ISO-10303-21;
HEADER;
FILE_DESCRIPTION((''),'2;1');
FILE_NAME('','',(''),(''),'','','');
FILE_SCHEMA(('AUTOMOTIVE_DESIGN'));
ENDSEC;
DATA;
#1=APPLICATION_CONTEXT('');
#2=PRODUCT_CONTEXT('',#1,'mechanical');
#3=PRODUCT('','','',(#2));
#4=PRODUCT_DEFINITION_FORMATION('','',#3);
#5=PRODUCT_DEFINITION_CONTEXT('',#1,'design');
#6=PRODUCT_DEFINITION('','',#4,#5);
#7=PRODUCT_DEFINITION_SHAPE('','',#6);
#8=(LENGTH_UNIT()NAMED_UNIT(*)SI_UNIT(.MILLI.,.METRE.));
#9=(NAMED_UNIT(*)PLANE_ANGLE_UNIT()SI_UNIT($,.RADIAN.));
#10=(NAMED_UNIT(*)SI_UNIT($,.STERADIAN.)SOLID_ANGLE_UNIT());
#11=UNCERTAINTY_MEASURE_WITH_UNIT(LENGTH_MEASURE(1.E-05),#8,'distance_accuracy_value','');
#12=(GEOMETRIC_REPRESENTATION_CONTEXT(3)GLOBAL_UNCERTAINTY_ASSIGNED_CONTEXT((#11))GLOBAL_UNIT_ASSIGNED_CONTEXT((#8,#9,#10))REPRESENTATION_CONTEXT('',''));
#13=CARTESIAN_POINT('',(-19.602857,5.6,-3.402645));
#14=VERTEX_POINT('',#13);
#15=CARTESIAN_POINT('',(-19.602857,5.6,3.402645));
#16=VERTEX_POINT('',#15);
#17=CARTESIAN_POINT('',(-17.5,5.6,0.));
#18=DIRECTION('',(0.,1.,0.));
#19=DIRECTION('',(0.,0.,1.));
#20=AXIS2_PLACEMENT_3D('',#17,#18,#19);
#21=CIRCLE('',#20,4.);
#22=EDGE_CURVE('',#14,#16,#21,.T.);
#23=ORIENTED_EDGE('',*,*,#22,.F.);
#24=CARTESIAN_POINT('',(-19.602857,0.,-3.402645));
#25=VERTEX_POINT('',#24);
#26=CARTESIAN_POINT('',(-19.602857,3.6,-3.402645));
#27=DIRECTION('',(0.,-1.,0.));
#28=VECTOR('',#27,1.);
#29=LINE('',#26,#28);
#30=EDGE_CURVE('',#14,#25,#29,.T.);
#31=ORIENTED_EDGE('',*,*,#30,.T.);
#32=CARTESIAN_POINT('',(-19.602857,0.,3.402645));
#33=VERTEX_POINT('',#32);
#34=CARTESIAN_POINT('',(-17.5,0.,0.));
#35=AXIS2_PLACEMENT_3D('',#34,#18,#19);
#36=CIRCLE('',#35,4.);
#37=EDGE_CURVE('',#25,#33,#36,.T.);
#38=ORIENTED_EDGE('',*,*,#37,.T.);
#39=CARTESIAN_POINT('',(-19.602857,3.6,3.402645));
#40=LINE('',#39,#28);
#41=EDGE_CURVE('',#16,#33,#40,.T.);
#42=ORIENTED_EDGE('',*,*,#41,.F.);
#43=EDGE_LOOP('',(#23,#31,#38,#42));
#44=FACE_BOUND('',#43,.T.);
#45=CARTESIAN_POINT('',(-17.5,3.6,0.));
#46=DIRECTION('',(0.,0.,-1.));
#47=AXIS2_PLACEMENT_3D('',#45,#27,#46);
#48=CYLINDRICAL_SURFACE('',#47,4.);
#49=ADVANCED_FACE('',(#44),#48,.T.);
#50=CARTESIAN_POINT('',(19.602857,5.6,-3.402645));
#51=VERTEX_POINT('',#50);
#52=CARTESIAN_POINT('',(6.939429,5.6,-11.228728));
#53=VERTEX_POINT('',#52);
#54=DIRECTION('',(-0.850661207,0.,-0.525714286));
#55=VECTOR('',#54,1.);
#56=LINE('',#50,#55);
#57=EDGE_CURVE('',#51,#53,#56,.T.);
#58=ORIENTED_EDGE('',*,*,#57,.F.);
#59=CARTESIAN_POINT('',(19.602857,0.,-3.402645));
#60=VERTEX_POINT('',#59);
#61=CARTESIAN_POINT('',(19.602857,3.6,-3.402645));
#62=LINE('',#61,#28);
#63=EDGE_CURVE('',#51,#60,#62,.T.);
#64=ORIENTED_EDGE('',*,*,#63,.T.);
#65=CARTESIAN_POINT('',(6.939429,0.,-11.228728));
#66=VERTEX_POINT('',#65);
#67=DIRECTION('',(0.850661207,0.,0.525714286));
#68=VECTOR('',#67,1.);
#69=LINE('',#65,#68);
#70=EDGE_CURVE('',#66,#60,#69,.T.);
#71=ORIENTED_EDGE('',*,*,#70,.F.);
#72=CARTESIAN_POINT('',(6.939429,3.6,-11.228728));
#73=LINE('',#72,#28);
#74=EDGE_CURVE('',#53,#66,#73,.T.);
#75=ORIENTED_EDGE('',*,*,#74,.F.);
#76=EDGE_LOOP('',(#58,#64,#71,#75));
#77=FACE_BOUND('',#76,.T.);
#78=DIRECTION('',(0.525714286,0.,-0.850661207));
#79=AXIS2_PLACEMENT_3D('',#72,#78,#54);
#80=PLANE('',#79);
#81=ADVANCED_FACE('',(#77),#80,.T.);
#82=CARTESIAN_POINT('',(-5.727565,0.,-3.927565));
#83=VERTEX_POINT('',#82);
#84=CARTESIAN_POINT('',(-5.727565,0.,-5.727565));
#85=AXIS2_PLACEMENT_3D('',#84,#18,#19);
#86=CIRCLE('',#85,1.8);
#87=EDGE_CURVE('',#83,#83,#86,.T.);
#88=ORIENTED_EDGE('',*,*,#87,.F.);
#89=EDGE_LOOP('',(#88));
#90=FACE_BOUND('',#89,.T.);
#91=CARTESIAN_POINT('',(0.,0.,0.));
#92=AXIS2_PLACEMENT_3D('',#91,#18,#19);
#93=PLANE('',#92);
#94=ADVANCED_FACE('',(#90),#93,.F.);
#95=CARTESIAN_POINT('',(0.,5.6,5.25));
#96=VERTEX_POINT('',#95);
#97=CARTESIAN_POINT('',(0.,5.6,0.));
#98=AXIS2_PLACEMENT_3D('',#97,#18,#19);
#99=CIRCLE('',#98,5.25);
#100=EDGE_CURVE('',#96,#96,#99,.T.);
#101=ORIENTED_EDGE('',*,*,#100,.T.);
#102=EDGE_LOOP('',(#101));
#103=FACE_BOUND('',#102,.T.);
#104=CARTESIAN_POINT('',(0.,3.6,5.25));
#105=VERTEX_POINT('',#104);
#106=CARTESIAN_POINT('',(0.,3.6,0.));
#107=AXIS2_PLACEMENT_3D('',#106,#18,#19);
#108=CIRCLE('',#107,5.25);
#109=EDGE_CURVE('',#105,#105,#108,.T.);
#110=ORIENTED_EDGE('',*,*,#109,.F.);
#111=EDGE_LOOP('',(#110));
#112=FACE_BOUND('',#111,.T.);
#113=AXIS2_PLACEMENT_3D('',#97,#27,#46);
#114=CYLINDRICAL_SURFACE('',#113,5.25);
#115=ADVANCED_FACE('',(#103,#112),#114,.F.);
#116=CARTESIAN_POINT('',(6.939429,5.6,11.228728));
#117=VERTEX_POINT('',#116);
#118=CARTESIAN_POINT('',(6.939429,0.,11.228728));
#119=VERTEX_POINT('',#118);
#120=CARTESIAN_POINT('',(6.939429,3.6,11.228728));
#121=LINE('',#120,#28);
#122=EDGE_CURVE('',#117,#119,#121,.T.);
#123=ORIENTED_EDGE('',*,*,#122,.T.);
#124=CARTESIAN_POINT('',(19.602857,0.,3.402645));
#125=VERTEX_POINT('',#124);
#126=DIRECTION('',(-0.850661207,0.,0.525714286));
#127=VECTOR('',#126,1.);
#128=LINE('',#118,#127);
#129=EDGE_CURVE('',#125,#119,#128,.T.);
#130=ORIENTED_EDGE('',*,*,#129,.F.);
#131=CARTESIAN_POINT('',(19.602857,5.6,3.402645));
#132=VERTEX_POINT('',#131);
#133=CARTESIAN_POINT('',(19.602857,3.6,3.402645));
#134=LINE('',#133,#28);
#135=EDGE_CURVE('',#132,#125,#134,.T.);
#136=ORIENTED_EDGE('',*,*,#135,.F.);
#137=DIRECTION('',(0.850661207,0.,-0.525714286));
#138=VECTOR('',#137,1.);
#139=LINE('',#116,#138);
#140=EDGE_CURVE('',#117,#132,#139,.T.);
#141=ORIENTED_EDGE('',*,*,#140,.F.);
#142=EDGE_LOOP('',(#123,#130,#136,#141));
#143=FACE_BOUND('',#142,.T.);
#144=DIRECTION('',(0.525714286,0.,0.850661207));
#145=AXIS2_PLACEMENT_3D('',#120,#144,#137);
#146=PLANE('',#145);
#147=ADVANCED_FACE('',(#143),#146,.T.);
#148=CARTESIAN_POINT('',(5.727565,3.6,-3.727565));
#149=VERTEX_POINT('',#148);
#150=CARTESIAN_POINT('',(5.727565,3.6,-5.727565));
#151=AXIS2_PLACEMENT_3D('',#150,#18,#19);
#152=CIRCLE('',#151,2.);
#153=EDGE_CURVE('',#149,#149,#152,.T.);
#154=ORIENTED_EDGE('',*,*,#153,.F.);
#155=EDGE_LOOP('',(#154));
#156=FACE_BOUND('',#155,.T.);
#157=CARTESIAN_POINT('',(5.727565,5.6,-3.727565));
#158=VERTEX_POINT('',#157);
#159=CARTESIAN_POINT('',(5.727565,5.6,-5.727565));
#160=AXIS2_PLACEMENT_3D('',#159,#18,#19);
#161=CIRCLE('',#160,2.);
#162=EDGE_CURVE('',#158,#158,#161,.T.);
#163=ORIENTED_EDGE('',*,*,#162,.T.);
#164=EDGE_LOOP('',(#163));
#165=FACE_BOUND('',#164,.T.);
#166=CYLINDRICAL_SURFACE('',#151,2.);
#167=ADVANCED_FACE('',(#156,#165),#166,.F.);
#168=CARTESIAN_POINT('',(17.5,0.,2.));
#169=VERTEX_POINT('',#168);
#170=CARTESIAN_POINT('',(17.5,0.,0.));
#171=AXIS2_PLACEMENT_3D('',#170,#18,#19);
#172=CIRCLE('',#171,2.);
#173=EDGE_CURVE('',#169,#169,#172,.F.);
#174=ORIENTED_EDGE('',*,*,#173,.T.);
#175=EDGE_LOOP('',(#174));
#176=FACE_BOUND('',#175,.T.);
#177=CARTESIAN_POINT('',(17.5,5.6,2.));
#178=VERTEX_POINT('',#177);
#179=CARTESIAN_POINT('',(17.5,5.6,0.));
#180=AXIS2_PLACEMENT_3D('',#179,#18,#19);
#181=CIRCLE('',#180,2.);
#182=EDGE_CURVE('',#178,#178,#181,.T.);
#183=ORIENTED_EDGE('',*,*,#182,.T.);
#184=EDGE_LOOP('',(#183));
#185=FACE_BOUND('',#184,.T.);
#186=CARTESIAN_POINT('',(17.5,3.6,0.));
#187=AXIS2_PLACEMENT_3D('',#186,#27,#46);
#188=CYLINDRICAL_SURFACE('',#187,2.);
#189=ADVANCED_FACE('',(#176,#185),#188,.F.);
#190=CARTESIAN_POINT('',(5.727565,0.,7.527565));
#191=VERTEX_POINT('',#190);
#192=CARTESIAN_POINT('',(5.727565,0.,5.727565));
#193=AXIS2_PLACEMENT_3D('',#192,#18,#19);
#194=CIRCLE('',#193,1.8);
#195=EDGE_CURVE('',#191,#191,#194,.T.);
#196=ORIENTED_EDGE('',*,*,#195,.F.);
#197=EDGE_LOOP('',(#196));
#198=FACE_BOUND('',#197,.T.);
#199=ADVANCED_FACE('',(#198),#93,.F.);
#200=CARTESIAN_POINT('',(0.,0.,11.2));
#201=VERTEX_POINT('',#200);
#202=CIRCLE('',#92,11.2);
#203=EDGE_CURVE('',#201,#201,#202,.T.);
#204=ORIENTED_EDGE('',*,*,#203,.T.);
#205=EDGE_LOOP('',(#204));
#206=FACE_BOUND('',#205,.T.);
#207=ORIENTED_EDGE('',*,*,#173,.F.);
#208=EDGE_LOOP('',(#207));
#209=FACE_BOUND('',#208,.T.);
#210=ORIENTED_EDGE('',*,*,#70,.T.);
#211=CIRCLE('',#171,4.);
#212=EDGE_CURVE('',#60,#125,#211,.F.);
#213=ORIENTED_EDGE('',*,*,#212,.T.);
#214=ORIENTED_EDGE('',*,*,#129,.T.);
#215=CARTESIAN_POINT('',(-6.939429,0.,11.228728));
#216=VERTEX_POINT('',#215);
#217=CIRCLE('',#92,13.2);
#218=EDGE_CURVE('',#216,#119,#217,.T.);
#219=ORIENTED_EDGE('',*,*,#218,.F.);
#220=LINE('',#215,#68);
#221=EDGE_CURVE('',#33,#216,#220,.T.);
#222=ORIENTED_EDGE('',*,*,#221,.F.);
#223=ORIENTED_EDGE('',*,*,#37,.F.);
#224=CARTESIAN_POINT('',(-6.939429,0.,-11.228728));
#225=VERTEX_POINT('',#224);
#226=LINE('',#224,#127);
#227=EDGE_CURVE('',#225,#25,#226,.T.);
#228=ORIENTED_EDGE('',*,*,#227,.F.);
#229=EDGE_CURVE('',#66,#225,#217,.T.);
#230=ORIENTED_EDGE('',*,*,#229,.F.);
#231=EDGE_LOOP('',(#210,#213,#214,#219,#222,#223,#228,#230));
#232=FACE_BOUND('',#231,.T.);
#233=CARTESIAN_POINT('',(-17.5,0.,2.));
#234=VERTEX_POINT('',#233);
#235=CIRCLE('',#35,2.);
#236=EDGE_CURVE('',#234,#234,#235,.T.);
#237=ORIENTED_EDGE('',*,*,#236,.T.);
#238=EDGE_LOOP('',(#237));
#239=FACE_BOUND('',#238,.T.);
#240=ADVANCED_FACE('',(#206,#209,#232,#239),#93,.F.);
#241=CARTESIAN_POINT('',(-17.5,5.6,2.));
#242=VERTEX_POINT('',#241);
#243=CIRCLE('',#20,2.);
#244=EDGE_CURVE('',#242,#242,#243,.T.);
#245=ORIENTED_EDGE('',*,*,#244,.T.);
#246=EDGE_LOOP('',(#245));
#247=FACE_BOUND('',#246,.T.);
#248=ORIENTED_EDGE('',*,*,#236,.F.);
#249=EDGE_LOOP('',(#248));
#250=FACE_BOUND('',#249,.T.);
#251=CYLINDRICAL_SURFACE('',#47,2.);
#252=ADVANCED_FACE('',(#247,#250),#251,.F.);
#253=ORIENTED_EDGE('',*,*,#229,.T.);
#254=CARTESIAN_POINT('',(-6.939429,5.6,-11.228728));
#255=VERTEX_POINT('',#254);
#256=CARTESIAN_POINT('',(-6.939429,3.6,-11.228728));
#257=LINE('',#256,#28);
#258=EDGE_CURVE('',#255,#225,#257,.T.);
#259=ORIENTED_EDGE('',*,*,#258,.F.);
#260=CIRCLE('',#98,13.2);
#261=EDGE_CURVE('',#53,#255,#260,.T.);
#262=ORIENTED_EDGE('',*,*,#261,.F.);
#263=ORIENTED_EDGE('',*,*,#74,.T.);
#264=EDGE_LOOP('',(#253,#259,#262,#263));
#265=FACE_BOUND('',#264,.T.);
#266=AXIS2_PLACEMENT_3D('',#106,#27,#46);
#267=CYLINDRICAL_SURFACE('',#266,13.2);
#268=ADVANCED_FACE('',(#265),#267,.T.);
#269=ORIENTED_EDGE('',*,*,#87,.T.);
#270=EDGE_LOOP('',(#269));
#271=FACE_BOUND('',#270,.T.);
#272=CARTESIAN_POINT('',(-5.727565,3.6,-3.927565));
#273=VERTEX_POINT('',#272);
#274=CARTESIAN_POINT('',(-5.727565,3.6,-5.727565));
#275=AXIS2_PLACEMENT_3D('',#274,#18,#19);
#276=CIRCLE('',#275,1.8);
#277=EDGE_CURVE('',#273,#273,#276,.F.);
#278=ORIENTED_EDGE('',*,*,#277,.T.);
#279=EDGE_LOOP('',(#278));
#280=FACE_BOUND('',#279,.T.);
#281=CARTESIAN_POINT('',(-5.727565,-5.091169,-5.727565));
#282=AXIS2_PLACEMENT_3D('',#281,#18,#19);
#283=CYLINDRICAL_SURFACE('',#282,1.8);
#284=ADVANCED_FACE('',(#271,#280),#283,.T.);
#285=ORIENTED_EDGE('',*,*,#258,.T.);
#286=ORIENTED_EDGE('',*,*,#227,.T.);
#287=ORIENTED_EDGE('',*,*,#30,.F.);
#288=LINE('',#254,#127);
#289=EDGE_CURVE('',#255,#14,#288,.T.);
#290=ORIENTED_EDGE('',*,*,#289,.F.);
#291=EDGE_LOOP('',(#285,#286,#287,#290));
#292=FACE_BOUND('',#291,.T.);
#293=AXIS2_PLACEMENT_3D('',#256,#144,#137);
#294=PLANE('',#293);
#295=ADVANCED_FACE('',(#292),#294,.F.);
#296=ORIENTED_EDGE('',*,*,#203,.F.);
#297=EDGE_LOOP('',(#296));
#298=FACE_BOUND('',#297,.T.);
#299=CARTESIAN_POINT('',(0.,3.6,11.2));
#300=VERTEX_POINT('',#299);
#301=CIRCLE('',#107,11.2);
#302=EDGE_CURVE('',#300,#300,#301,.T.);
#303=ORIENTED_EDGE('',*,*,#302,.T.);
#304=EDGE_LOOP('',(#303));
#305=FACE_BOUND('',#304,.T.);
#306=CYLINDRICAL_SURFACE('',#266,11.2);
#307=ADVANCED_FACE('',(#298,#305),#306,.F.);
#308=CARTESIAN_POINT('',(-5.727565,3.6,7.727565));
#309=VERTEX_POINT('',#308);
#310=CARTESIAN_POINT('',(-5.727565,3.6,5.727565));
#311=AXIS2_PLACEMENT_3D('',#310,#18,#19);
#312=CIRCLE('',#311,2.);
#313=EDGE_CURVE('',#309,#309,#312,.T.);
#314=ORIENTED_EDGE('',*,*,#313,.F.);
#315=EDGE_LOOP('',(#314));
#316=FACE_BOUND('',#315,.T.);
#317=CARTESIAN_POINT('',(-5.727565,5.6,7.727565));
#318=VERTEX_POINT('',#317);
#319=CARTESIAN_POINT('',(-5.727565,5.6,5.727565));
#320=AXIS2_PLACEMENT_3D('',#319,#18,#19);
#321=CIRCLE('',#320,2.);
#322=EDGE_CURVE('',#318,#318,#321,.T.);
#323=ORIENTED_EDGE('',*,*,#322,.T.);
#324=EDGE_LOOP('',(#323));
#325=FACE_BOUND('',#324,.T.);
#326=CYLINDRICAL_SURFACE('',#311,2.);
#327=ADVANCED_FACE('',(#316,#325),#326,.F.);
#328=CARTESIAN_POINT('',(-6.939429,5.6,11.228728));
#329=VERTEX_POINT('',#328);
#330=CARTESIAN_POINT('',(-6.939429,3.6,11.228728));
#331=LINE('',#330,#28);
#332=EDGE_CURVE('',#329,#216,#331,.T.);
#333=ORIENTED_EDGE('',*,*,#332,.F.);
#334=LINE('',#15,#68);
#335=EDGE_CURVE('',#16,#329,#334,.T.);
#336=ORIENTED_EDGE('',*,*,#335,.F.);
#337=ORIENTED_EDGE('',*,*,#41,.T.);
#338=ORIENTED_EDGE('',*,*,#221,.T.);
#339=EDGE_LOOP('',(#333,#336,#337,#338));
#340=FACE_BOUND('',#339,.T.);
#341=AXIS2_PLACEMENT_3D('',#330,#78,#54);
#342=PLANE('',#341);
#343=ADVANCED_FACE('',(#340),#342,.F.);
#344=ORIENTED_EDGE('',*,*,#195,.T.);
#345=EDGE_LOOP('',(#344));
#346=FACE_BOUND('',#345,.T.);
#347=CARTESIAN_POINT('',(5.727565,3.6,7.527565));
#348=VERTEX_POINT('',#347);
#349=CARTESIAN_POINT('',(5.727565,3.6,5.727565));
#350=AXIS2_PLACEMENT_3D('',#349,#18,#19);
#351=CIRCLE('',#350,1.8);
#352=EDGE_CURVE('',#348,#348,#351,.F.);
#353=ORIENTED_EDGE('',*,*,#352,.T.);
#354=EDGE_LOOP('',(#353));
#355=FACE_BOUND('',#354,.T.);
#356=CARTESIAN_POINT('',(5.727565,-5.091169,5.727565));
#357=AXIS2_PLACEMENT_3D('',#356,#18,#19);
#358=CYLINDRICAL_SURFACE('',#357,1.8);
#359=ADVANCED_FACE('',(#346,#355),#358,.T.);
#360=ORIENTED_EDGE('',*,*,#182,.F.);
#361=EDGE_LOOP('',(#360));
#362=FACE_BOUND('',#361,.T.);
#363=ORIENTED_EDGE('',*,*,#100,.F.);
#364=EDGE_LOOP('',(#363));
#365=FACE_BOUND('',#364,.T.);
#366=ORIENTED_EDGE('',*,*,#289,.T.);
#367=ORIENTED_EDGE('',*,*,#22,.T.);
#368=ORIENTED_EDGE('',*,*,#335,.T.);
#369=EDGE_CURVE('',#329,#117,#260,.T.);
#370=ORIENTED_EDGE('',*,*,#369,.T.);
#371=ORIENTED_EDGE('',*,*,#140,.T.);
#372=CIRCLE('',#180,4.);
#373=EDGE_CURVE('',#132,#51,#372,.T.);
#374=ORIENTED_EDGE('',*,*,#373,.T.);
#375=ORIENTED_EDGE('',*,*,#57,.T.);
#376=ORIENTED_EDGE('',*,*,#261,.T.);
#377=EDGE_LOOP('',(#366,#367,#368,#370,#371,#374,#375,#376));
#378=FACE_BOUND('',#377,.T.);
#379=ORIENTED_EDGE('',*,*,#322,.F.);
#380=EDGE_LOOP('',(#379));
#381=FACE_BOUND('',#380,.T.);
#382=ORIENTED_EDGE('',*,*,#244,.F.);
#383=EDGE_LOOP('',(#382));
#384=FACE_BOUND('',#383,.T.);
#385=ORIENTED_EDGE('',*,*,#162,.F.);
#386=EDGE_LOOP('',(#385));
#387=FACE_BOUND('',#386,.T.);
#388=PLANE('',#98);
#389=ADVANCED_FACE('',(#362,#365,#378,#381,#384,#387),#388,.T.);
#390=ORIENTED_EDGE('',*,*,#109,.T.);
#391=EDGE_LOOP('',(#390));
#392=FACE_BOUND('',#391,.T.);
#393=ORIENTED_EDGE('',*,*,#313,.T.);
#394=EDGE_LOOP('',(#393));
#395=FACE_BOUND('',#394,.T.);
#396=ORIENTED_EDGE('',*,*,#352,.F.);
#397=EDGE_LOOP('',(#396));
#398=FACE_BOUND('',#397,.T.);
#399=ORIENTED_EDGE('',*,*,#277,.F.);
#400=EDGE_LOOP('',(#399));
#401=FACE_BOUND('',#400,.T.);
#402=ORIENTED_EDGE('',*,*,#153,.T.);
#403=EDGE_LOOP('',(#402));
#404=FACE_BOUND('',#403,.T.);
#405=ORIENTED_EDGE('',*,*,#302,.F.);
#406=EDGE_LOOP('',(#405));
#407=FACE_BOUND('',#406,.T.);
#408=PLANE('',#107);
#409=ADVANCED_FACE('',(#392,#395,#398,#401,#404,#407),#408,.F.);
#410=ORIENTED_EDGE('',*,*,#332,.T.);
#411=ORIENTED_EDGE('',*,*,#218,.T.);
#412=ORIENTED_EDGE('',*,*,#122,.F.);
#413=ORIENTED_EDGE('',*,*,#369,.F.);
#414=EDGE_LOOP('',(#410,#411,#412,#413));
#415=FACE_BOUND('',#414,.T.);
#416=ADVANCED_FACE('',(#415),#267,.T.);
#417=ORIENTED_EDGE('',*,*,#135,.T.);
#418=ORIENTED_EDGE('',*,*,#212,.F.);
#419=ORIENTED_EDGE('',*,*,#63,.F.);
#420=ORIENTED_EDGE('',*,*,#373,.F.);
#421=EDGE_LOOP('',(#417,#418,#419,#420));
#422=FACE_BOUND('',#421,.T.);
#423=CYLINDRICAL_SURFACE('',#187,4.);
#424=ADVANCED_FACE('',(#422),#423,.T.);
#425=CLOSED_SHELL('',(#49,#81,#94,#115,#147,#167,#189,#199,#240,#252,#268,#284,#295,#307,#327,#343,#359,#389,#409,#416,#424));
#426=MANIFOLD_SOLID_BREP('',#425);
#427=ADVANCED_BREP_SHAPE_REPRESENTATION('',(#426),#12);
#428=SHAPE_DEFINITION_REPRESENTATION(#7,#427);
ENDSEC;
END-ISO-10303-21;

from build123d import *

# Parameters (mm, degrees)
SKETCH1_R           = 2
SKETCH1_R_2         = 13.2
SKETCH1_R_3         = 11.2
BOSS_EXTRUDE1_DEPTH = 3.6
SKETCH2_R           = 2
SKETCH2_R_2         = 5.25
BOSS_EXTRUDE2_DEPTH = 2
SKETCH3_R           = 2
CUT_EXTRUDE1_DEPTH  = 2
SKETCH4_R           = 1.8
BOSS_EXTRUDE3_DEPTH = 3.6


with BuildPart() as part:
    # Sketch1 → Boss-Extrude1 (new body)
    # profile 1 of 3: a face of its own
    with BuildSketch(Plane(origin=(0, 0, 0), x_dir=(1, 0, 0), z_dir=(0, 1, 0))):
        with BuildLine():
            ThreePointArc((-6.939428571, -11.228727938), (-13.2, 0), (-6.939428571, 11.228727938))
            Line((-6.939428571, 11.228727938), (-19.602857143, 3.40264483))
            ThreePointArc((-19.602857143, 3.40264483), (-21.5, 0), (-19.602857143, -3.40264483))
            Line((-19.602857143, -3.40264483), (-6.939428571, -11.228727938))
        make_face()
        with Locations(Location((-17.5, 0, 0), (0, 0, 270))):
            Circle(SKETCH1_R, mode=Mode.SUBTRACT)
    # profile 2 of 3: a face of its own
    with BuildSketch(Plane(origin=(0, 0, 0), x_dir=(1, 0, 0), z_dir=(0, 1, 0))):
        Circle(SKETCH1_R_2)
        with Locations(Location((0, 0, 0), (0, 0, 270))):
            Circle(SKETCH1_R_3, mode=Mode.SUBTRACT)
    # profile 3 of 3: a face of its own
    with BuildSketch(Plane(origin=(0, 0, 0), x_dir=(1, 0, 0), z_dir=(0, 1, 0))):
        with BuildLine():
            Line((19.602857143, 3.40264483), (6.939428571, 11.228727938))
            ThreePointArc((6.939428571, 11.228727938), (11.529103546, 6.428045693), (13.2, 0))
            ThreePointArc((13.2, 0), (11.529103546, -6.428045693), (6.939428571, -11.228727938))
            Line((6.939428571, -11.228727938), (19.602857143, -3.40264483))
            ThreePointArc((19.602857143, -3.40264483), (21.5, 0), (19.602857143, 3.40264483))
        make_face()
        with Locations(Location((17.5, 0, 0), (0, 0, 270))):
            Circle(SKETCH1_R, mode=Mode.SUBTRACT)
    extrude(amount=BOSS_EXTRUDE1_DEPTH)

    # Sketch2 → Boss-Extrude2 (add)
    with BuildSketch(Plane(origin=(0, 3.6, 0), x_dir=(1, 0, 0), z_dir=(0, 1, 0))):
        with BuildLine():
            Line((-6.939428571, 11.228727938), (-19.602857143, 3.40264483))
            ThreePointArc((-19.602857143, 3.40264483), (-21.5, 0), (-19.602857143, -3.40264483))
            Line((-19.602857143, -3.40264483), (-6.939428571, -11.228727938))
            ThreePointArc((-6.939428571, -11.228727938), (0, -13.2), (6.939428571, -11.228727938))
            Line((6.939428571, -11.228727938), (19.602857143, -3.40264483))
            ThreePointArc((19.602857143, -3.40264483), (21.5, 0), (19.602857143, 3.40264483))
            Line((19.602857143, 3.40264483), (6.939428571, 11.228727938))
            ThreePointArc((6.939428571, 11.228727938), (0, 13.2), (-6.939428571, 11.228727938))
        make_face()
        with Locations(Location((17.5, 0, 0), (0, 0, 270))):
            Circle(SKETCH2_R, mode=Mode.SUBTRACT)
        with Locations(Location((-17.5, 0, 0), (0, 0, 270))):
            Circle(SKETCH2_R, mode=Mode.SUBTRACT)
        with Locations(Location((0, 0, 0), (0, 0, 270))):
            Circle(SKETCH2_R_2, mode=Mode.SUBTRACT)
    extrude(amount=BOSS_EXTRUDE2_DEPTH)

    # Sketch3 → Cut-Extrude1 (cut)
    with BuildSketch(Plane(origin=(0, 5.6, 0), x_dir=(1, 0, 0), z_dir=(0, 1, 0))):
        with Locations(Location((5.727564928, 5.727564928, 0), (0, 0, 270))):
            Circle(SKETCH3_R)
        with Locations(Location((-5.727564928, -5.727564928, 0), (0, 0, 270))):
            Circle(SKETCH3_R)
    extrude(amount=-CUT_EXTRUDE1_DEPTH, mode=Mode.SUBTRACT)

    # Sketch4 → Boss-Extrude3 (add)
    with BuildSketch(Plane.XZ.offset(-3.6)):
        with Locations(Location((5.727564928, 5.727564928, 0), (0, 0, 90))):
            Circle(SKETCH4_R)
        with Locations(Location((-5.727564928, -5.727564928, 0), (0, 0, 90))):
            Circle(SKETCH4_R)
    extrude(amount=BOSS_EXTRUDE3_DEPTH)


solid = part.part
